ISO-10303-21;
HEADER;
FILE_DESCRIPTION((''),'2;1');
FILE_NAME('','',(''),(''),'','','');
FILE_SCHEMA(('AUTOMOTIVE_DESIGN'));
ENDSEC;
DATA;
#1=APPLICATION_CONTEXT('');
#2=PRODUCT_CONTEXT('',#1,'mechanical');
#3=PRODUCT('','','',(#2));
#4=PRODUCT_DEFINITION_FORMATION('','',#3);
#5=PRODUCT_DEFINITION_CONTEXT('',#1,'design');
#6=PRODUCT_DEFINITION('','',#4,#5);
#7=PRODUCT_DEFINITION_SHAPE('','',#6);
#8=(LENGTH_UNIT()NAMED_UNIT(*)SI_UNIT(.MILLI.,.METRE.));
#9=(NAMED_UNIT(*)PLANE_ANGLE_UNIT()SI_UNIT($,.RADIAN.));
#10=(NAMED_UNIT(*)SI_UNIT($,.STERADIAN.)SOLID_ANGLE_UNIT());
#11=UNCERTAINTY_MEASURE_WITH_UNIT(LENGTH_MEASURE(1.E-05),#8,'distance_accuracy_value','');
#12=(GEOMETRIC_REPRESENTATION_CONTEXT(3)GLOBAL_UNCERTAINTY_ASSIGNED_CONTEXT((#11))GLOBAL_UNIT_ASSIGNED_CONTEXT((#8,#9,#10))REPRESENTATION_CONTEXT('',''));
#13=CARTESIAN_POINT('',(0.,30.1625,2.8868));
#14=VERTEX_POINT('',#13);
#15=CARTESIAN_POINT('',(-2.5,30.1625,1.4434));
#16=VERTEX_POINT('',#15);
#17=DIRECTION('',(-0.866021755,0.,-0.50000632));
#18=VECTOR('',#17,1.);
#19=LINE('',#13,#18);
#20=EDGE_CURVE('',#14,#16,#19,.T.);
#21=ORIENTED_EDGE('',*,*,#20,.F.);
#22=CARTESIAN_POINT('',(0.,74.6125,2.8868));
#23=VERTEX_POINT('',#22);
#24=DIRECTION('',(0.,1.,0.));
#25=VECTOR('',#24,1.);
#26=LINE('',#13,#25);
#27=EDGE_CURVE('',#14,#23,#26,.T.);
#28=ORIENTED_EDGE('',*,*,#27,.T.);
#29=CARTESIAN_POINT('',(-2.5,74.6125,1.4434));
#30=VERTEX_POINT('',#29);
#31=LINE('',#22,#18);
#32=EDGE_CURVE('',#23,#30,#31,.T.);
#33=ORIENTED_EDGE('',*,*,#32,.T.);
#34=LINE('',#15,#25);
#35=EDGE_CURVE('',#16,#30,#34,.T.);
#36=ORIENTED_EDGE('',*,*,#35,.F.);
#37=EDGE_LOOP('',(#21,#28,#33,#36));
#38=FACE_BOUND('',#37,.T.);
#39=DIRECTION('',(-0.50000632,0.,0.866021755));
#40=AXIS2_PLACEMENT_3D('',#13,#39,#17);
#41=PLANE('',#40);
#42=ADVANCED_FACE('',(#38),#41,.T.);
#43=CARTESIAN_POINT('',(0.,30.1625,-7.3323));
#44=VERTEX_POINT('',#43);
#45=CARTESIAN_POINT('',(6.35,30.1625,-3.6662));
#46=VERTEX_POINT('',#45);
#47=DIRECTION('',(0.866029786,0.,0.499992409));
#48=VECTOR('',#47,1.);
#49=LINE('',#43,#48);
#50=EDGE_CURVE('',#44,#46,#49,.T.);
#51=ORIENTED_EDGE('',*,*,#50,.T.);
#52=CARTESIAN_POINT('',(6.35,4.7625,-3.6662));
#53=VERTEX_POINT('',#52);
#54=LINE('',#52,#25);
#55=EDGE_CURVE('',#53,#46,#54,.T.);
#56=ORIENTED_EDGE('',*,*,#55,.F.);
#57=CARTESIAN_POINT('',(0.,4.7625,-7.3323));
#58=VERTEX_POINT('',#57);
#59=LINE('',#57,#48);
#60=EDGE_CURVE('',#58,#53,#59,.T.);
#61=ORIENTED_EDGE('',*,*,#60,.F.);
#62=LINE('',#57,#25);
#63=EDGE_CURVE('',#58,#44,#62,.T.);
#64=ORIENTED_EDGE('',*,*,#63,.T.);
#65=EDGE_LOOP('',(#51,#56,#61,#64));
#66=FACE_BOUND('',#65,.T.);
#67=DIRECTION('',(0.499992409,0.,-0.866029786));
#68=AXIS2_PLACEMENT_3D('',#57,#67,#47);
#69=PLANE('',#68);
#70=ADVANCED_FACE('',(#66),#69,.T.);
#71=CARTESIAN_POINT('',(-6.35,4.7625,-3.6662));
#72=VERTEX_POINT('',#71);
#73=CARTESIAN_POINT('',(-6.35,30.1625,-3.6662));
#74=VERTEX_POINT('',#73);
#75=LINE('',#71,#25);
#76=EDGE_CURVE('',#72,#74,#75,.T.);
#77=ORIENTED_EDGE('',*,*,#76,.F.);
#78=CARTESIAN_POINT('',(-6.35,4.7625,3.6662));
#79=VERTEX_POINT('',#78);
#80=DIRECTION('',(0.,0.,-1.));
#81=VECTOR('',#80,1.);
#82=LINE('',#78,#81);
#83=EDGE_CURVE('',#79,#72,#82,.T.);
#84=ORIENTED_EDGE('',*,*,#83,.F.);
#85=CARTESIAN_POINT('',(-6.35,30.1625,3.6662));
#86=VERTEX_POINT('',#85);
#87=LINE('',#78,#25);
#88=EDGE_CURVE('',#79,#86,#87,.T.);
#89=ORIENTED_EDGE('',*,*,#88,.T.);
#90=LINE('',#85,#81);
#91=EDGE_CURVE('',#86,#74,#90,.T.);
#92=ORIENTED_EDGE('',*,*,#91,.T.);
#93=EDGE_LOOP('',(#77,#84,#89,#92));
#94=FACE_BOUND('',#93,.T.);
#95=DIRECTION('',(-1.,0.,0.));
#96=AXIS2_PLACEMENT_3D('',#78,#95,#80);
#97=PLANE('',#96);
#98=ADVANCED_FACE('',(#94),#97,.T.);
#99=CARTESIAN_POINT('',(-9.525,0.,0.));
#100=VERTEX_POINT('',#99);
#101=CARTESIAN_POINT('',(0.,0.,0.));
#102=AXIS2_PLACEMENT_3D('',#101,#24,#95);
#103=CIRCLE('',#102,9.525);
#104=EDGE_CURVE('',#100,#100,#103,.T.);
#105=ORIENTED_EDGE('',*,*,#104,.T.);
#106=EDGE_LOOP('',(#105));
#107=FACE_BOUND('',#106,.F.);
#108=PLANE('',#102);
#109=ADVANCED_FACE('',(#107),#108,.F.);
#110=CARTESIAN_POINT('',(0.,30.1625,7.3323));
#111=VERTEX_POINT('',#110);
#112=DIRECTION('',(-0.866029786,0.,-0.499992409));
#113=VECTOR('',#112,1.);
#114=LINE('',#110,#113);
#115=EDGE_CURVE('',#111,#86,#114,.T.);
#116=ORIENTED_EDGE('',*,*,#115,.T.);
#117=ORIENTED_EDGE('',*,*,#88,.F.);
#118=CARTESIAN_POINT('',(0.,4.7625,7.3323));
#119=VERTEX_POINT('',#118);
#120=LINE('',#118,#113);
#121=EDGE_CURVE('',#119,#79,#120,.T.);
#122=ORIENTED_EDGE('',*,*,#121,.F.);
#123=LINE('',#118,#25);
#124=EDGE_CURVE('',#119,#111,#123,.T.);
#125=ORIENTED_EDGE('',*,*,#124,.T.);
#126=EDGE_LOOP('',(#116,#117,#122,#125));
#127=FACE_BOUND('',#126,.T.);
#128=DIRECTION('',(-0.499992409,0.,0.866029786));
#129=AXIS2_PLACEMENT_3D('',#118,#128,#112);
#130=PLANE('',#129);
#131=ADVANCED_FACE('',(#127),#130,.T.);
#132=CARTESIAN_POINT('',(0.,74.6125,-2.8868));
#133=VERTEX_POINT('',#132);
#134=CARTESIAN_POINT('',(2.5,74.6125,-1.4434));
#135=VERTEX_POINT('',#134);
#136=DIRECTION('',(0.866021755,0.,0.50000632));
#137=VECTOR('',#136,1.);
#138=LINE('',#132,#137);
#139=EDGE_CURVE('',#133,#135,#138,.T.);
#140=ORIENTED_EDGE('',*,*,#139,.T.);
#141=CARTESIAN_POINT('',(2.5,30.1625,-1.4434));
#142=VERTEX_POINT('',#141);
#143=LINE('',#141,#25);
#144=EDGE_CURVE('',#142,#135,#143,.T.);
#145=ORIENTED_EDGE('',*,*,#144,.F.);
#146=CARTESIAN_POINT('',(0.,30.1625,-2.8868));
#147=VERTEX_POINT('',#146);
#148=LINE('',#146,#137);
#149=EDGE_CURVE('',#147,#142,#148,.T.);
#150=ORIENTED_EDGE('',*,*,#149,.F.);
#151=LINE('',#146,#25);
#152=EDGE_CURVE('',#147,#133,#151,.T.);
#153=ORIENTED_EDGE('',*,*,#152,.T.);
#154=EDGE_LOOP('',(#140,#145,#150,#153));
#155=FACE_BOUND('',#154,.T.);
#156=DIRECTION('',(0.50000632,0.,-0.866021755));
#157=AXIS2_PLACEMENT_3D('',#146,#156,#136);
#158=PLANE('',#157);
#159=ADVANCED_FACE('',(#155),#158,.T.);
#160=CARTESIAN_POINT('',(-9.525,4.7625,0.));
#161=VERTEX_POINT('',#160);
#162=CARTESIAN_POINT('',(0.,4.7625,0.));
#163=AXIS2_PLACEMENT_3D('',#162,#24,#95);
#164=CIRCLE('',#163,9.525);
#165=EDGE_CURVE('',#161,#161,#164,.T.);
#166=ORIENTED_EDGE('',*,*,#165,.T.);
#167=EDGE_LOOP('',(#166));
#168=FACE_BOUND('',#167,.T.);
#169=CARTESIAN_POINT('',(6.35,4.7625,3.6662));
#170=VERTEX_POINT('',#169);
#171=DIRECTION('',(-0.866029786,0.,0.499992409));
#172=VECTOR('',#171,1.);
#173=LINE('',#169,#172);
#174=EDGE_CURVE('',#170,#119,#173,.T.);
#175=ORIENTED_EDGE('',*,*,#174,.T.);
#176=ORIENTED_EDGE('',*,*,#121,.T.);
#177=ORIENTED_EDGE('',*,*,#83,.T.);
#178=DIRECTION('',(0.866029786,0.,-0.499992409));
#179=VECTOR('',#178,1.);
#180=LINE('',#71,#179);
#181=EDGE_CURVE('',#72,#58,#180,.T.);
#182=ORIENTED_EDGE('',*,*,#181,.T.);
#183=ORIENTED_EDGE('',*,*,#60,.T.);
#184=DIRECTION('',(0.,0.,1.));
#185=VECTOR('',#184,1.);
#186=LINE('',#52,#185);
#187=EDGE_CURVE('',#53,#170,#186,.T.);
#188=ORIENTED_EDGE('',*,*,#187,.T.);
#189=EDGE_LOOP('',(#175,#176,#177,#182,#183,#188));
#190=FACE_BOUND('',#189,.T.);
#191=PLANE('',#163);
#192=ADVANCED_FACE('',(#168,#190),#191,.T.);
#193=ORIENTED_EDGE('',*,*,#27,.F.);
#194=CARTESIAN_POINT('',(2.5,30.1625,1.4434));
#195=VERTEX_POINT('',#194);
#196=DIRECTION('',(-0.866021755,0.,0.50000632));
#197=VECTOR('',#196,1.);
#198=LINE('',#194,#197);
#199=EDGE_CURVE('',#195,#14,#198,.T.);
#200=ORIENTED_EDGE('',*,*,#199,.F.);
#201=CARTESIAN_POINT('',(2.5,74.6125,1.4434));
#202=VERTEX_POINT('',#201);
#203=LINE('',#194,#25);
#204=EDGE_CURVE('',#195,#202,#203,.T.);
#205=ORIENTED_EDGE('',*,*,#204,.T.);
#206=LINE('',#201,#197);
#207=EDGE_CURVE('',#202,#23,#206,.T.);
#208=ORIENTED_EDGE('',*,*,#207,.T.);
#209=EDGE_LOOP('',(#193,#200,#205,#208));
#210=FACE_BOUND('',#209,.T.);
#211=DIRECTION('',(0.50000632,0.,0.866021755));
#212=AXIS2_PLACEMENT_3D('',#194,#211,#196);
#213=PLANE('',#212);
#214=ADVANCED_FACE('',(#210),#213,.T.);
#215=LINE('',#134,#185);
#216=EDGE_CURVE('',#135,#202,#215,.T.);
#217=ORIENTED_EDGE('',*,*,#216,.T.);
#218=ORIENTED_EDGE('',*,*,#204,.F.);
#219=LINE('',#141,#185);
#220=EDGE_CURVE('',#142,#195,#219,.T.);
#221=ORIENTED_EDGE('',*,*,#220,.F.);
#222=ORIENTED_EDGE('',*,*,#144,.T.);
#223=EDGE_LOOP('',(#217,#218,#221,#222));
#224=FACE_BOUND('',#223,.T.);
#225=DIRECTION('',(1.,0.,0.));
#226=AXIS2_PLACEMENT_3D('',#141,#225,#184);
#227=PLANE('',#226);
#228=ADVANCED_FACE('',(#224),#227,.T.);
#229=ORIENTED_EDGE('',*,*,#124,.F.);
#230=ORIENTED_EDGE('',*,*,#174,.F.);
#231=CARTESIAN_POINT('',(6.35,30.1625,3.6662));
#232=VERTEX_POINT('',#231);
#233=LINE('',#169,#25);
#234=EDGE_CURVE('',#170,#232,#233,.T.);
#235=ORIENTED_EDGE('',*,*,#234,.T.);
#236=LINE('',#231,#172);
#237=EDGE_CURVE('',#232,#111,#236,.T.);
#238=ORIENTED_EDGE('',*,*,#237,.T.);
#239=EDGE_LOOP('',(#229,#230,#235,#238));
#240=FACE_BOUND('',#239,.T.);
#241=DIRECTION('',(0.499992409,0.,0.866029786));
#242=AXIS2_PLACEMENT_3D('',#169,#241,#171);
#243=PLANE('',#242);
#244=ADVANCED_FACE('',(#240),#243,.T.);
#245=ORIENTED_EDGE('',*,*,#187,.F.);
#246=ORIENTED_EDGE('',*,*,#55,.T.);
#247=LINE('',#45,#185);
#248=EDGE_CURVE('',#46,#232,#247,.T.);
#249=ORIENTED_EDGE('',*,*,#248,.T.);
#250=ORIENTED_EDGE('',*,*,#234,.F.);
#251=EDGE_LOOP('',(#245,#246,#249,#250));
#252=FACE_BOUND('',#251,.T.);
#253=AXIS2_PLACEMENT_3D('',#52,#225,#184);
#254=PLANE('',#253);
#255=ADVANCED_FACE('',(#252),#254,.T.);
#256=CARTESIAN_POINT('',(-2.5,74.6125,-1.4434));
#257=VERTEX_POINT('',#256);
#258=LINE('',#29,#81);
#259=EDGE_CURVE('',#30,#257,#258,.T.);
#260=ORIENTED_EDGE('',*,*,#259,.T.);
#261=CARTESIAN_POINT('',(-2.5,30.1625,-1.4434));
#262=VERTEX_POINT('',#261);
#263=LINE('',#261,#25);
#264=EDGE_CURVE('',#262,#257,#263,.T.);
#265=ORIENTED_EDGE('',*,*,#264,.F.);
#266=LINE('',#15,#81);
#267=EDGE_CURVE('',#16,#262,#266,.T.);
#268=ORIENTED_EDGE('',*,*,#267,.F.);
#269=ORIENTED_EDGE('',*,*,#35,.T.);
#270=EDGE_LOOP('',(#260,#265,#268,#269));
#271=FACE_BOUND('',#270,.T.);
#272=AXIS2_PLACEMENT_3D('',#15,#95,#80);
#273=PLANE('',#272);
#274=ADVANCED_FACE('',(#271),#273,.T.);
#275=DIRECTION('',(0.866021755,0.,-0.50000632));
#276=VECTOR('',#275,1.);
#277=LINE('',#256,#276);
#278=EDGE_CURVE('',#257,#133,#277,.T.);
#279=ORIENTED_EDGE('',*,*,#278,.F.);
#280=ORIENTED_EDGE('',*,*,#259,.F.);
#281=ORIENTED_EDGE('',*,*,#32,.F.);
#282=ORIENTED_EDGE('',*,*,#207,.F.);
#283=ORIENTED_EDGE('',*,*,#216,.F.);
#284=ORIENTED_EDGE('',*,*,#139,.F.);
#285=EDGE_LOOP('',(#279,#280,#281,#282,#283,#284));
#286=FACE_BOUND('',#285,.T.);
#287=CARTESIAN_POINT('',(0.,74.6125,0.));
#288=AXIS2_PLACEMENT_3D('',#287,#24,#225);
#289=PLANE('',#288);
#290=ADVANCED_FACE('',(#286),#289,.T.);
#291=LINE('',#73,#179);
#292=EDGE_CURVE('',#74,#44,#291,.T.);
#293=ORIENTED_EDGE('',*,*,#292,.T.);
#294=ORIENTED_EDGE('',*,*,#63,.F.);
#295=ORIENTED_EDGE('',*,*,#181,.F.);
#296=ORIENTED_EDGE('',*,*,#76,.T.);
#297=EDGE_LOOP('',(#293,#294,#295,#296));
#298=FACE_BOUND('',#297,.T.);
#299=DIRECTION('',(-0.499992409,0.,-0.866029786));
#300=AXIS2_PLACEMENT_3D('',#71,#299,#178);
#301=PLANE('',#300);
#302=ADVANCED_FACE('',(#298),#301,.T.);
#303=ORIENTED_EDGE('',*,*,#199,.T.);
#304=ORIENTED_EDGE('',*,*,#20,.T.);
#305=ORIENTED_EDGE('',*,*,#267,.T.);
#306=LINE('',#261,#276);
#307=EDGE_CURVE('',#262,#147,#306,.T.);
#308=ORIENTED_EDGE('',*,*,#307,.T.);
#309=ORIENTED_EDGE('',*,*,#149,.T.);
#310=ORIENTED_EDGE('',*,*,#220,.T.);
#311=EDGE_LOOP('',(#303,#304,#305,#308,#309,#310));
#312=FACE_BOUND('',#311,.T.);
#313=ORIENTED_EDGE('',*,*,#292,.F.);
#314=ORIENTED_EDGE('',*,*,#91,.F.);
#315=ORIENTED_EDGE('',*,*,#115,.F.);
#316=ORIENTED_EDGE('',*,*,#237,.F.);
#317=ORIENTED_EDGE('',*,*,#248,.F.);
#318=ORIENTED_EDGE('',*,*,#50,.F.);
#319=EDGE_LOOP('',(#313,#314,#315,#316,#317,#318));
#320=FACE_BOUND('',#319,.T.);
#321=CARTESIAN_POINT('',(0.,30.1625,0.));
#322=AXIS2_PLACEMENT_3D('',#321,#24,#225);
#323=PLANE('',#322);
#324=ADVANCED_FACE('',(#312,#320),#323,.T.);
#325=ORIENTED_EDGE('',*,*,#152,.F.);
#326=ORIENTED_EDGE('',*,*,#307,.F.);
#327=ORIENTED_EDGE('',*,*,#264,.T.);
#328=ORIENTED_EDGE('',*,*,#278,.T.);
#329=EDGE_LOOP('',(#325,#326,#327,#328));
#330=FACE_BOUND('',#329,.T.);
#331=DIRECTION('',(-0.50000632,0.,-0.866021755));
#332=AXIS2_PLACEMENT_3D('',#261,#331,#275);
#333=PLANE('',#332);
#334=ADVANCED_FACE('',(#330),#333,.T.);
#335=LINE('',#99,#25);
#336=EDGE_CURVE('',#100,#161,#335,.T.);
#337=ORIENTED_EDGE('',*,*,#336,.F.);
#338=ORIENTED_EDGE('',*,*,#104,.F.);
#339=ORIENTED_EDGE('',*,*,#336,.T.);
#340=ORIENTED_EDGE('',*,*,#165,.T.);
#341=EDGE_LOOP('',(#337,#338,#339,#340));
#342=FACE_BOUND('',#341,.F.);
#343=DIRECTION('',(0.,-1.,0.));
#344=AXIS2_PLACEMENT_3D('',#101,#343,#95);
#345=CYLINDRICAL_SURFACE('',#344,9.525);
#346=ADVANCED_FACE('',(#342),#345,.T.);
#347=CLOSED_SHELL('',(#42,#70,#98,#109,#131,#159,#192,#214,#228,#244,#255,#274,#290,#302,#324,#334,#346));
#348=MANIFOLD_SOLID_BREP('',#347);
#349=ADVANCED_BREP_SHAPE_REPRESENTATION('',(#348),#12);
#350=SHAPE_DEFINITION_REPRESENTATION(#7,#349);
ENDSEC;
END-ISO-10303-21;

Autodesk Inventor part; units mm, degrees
ref_plane "YZ Plane" through (0, 0, 0) normal (1, 0, 0) x (0, 1, 0)
ref_plane "XZ Plane" through (0, 0, 0) normal (0, 1, 0) x (-1, 0, 0)
ref_plane "XY Plane" through (0, 0, 0) normal (0, 0, 1) x (1, 0, 0)
sketch "Sketch1" plane through (0, 0, 0) normal (0, 1, 0) x (-1, 0, 0)
  circle A0 centre (0, 0) radius 9.525
  dimension "d0" = 19.05
extrude "Extrusion1" add sketch "Sketch1" along normal blind 4.7625
sketch "Sketch2" plane through (0, 4.7625, 0) normal (0, 1, 0) x (1, 0, 0)
  line L0 (0, -7.3323) -> (-6.35, -3.6662)
  line L1 (-6.35, -3.6662) -> (-6.35, 3.6662)
  line L2 (-6.35, 3.6662) -> (0, 7.3323)
  line L3 (0, 7.3323) -> (6.35, 3.6662)
  line L4 (6.35, 3.6662) -> (6.35, -3.6662)
  line L5 (6.35, -3.6662) -> (0, -7.3323)
  line L6 (0, 0) -> (0, -9.525)
  circle A0 centre (0, 0) radius 9.525 projected
  dimension "d3" = 12.7
extrude "Extrusion2" add sketch "Sketch2" along normal blind 25.4 contours L0 L1 L2 L3 L4 L5
sketch "Sketch3" plane through (0, 30.1625, 0) normal (0, 1, 0) x (1, 0, 0)
  line L0 (0, 2.8868) -> (2.5, 1.4434)
  line L1 (2.5, 1.4434) -> (2.5, -1.4434)
  line L2 (2.5, -1.4434) -> (0, -2.8868)
  line L3 (0, -2.8868) -> (-2.5, -1.4434)
  line L4 (-2.5, -1.4434) -> (-2.5, 1.4434)
  line L5 (-2.5, 1.4434) -> (0, 2.8868)
  line L6 (-6.35, -3.6662) -> (0, -7.3323) projected
  line L7 (0, 0) -> (0, -7.3323)
  dimension "d6" = 5
extrude "Extrusion3" add sketch "Sketch3" along normal blind 44.45
properties part number "0.5in hex to 5mm hex"
